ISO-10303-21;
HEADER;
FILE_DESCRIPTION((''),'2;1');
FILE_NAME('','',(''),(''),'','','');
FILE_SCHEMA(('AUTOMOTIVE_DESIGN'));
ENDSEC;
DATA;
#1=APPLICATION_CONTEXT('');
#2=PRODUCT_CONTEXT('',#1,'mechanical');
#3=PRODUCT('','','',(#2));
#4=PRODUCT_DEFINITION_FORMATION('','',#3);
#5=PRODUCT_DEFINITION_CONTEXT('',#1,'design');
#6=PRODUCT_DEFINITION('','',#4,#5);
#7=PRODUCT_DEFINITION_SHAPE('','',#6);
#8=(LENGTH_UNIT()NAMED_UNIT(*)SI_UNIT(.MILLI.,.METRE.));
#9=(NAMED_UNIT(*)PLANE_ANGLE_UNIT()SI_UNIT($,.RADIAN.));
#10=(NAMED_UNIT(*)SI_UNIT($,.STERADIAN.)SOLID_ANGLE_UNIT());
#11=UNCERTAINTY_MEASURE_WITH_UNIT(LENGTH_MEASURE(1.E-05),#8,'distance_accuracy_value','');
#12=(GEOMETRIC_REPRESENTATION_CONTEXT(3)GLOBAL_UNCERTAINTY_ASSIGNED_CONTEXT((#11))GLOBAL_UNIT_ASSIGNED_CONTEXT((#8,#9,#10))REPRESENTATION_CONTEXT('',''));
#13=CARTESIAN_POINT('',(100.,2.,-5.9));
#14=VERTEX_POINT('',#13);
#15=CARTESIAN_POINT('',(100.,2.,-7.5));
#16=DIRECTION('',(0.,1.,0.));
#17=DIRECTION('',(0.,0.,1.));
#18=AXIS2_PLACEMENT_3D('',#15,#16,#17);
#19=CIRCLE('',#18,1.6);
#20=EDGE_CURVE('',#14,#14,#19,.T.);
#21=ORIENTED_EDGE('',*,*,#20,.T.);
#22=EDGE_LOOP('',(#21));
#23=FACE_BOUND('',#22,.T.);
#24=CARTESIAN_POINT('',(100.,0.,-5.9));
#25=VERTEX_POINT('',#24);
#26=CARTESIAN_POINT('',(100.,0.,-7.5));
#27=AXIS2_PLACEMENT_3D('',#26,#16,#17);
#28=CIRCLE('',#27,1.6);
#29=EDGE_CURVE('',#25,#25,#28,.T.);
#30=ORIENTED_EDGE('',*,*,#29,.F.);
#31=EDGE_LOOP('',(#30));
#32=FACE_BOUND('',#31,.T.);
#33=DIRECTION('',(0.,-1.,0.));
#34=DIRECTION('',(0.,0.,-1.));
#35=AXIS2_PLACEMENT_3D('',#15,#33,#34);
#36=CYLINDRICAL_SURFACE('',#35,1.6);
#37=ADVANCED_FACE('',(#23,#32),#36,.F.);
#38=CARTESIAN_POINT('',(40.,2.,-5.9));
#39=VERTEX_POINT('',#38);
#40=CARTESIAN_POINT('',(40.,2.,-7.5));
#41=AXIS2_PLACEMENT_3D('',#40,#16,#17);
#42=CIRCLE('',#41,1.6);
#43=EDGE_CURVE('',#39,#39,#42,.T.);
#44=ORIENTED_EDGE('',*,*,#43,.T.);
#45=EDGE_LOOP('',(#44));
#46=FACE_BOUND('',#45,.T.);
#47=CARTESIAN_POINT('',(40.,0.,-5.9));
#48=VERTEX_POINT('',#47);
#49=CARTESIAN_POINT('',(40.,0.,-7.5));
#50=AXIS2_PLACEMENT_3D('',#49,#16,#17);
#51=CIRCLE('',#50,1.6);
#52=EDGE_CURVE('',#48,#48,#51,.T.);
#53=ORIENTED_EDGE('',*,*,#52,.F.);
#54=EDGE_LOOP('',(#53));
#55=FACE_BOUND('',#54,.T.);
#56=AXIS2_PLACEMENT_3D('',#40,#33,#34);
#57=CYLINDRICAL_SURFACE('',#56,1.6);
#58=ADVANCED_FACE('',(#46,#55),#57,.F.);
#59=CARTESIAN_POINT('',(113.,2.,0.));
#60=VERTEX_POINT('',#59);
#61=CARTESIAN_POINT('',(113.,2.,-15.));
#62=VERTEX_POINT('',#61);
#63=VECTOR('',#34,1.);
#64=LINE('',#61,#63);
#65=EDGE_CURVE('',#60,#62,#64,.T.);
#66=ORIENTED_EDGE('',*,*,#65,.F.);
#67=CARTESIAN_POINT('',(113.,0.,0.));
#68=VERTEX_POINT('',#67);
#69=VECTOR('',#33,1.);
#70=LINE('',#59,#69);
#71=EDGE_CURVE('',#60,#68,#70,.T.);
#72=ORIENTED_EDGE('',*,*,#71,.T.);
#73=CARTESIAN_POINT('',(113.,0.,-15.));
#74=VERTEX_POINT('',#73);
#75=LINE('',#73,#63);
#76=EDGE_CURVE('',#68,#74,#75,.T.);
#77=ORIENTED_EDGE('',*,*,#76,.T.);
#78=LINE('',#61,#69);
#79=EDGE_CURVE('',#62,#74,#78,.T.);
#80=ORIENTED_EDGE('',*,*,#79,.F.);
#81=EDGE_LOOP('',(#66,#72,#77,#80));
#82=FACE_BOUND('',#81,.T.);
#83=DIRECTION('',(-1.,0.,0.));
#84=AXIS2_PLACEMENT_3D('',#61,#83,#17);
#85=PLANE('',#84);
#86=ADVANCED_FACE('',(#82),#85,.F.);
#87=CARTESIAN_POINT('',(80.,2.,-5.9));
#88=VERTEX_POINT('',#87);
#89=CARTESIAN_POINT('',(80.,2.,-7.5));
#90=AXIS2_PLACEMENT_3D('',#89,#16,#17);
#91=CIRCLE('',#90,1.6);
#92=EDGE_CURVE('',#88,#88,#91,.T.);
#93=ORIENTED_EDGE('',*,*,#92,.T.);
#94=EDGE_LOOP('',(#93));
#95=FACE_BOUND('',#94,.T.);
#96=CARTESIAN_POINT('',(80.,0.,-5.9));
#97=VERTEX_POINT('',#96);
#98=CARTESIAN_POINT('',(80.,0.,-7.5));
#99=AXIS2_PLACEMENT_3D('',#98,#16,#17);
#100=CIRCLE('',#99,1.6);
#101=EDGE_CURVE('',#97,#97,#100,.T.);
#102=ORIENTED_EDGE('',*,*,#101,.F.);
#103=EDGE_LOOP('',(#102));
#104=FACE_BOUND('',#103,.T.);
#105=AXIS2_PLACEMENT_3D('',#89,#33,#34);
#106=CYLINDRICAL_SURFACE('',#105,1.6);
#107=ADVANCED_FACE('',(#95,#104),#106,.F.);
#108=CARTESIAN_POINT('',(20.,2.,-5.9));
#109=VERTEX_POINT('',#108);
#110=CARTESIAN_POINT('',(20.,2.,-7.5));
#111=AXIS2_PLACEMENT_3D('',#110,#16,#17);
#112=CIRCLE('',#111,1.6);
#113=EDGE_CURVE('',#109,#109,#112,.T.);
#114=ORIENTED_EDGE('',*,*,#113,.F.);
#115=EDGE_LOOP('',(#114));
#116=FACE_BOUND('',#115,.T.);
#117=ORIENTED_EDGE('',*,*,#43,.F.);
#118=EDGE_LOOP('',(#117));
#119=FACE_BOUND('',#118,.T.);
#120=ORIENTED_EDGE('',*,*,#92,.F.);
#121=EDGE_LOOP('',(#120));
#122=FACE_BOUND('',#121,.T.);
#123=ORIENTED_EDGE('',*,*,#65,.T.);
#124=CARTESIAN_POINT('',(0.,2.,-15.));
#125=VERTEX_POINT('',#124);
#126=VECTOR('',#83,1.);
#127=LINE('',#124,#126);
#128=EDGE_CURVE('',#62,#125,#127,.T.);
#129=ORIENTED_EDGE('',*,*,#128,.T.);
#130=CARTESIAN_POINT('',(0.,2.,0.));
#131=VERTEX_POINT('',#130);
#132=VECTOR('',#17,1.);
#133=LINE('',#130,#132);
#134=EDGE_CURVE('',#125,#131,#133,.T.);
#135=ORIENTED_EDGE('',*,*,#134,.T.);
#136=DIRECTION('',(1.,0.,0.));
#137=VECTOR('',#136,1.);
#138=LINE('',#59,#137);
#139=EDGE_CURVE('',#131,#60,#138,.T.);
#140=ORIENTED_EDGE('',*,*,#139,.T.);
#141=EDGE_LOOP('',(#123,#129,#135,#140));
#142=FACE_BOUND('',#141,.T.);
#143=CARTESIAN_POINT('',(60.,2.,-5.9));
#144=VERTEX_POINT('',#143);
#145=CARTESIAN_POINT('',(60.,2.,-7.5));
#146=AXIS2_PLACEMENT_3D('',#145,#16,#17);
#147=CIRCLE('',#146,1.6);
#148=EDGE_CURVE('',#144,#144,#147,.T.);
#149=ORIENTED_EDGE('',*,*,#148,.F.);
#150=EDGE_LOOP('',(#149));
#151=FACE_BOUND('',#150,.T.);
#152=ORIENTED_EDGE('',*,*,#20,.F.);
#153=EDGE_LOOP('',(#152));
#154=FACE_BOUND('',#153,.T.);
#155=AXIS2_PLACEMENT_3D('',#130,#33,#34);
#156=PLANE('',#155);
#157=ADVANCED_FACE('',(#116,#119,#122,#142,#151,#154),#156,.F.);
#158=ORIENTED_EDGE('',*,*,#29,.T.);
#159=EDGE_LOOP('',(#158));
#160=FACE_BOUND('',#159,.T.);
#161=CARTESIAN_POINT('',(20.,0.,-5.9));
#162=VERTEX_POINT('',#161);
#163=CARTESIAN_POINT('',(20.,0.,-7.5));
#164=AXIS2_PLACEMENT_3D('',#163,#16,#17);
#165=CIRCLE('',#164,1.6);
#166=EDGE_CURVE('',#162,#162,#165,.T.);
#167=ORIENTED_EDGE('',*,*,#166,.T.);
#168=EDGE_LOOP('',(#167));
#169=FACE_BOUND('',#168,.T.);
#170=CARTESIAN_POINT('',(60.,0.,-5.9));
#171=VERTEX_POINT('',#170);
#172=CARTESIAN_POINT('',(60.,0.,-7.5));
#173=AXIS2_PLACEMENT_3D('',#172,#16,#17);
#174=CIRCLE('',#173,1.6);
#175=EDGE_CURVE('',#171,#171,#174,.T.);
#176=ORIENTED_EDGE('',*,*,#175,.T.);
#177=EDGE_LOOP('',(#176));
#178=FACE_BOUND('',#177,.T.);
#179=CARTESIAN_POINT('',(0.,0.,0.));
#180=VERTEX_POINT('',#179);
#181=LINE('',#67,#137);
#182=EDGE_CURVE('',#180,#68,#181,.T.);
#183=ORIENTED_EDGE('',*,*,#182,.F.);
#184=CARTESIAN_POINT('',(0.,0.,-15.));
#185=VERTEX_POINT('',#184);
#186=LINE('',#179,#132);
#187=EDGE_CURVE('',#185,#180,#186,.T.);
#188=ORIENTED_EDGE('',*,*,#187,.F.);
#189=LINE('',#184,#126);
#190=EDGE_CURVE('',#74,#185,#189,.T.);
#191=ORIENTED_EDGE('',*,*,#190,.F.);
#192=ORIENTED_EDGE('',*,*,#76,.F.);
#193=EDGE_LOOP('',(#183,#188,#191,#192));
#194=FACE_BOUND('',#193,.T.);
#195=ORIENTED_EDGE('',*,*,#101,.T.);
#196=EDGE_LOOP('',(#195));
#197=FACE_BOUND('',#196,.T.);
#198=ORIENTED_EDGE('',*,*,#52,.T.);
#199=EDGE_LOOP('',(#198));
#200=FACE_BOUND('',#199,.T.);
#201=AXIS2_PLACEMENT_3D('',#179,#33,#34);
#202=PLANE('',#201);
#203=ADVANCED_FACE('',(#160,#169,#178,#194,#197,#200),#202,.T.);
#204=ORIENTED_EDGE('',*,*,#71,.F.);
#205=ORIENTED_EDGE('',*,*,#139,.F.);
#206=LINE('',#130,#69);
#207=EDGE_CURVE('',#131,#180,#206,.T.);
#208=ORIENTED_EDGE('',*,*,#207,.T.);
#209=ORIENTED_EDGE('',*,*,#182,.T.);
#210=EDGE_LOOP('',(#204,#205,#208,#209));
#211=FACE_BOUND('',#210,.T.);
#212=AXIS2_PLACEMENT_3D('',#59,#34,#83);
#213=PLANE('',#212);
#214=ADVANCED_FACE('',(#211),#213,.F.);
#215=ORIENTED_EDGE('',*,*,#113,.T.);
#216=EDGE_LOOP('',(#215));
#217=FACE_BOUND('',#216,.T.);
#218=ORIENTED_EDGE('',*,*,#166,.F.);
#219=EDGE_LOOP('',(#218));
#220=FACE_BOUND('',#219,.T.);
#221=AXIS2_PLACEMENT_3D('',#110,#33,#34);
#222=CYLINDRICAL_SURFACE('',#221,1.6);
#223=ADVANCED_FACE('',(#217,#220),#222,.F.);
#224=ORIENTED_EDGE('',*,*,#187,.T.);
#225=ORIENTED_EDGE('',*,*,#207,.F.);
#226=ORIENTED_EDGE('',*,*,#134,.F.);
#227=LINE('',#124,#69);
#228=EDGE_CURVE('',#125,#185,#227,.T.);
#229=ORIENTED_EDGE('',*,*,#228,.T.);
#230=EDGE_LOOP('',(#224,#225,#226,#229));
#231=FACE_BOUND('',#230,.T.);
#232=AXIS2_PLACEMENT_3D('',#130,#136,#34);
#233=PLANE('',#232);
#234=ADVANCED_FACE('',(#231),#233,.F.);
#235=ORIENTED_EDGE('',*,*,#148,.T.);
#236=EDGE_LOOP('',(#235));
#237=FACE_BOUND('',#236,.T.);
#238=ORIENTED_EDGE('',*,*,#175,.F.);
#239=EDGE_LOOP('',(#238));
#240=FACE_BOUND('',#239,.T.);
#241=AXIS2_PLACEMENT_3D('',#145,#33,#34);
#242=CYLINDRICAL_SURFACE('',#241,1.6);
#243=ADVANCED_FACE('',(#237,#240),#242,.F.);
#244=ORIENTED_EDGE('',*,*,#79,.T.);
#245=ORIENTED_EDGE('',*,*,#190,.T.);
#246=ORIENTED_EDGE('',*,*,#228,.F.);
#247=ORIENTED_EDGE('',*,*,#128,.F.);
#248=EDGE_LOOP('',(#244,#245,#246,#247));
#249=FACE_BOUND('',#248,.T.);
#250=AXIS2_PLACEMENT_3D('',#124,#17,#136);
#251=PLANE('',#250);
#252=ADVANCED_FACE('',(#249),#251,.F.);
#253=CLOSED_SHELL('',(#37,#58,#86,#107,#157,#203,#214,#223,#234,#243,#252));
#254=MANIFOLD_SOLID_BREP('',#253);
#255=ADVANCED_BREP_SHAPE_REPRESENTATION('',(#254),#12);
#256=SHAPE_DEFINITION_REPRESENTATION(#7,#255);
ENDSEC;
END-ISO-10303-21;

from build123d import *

# Parameters (mm, degrees)
ESQUISSE1_W        = 113
ESQUISSE1_H        = 15
ESQUISSE1_R        = 1.6
BOSS_EXTRU_1_DEPTH = 2


with BuildPart() as part:
    # Esquisse1 → Boss.-Extru.1 (new body)
    with BuildSketch(Plane(origin=(0, 0, 0), x_dir=(1, 0, 0), z_dir=(0, 1, 0))):
        with Locations((56.5, 7.5)):
            Rectangle(ESQUISSE1_W, ESQUISSE1_H)
        with Locations(Location((20, 7.5, 0), (0, 0, 270))):
            Circle(ESQUISSE1_R, mode=Mode.SUBTRACT)
        with Locations(Location((40, 7.5, 0), (0, 0, 270))):
            Circle(ESQUISSE1_R, mode=Mode.SUBTRACT)
        with Locations(Location((60, 7.5, 0), (0, 0, 270))):
            Circle(ESQUISSE1_R, mode=Mode.SUBTRACT)
        with Locations(Location((80, 7.5, 0), (0, 0, 270))):
            Circle(ESQUISSE1_R, mode=Mode.SUBTRACT)
        with Locations(Location((100, 7.5, 0), (0, 0, 270))):
            Circle(ESQUISSE1_R, mode=Mode.SUBTRACT)
    extrude(amount=BOSS_EXTRU_1_DEPTH)


solid = part.part
